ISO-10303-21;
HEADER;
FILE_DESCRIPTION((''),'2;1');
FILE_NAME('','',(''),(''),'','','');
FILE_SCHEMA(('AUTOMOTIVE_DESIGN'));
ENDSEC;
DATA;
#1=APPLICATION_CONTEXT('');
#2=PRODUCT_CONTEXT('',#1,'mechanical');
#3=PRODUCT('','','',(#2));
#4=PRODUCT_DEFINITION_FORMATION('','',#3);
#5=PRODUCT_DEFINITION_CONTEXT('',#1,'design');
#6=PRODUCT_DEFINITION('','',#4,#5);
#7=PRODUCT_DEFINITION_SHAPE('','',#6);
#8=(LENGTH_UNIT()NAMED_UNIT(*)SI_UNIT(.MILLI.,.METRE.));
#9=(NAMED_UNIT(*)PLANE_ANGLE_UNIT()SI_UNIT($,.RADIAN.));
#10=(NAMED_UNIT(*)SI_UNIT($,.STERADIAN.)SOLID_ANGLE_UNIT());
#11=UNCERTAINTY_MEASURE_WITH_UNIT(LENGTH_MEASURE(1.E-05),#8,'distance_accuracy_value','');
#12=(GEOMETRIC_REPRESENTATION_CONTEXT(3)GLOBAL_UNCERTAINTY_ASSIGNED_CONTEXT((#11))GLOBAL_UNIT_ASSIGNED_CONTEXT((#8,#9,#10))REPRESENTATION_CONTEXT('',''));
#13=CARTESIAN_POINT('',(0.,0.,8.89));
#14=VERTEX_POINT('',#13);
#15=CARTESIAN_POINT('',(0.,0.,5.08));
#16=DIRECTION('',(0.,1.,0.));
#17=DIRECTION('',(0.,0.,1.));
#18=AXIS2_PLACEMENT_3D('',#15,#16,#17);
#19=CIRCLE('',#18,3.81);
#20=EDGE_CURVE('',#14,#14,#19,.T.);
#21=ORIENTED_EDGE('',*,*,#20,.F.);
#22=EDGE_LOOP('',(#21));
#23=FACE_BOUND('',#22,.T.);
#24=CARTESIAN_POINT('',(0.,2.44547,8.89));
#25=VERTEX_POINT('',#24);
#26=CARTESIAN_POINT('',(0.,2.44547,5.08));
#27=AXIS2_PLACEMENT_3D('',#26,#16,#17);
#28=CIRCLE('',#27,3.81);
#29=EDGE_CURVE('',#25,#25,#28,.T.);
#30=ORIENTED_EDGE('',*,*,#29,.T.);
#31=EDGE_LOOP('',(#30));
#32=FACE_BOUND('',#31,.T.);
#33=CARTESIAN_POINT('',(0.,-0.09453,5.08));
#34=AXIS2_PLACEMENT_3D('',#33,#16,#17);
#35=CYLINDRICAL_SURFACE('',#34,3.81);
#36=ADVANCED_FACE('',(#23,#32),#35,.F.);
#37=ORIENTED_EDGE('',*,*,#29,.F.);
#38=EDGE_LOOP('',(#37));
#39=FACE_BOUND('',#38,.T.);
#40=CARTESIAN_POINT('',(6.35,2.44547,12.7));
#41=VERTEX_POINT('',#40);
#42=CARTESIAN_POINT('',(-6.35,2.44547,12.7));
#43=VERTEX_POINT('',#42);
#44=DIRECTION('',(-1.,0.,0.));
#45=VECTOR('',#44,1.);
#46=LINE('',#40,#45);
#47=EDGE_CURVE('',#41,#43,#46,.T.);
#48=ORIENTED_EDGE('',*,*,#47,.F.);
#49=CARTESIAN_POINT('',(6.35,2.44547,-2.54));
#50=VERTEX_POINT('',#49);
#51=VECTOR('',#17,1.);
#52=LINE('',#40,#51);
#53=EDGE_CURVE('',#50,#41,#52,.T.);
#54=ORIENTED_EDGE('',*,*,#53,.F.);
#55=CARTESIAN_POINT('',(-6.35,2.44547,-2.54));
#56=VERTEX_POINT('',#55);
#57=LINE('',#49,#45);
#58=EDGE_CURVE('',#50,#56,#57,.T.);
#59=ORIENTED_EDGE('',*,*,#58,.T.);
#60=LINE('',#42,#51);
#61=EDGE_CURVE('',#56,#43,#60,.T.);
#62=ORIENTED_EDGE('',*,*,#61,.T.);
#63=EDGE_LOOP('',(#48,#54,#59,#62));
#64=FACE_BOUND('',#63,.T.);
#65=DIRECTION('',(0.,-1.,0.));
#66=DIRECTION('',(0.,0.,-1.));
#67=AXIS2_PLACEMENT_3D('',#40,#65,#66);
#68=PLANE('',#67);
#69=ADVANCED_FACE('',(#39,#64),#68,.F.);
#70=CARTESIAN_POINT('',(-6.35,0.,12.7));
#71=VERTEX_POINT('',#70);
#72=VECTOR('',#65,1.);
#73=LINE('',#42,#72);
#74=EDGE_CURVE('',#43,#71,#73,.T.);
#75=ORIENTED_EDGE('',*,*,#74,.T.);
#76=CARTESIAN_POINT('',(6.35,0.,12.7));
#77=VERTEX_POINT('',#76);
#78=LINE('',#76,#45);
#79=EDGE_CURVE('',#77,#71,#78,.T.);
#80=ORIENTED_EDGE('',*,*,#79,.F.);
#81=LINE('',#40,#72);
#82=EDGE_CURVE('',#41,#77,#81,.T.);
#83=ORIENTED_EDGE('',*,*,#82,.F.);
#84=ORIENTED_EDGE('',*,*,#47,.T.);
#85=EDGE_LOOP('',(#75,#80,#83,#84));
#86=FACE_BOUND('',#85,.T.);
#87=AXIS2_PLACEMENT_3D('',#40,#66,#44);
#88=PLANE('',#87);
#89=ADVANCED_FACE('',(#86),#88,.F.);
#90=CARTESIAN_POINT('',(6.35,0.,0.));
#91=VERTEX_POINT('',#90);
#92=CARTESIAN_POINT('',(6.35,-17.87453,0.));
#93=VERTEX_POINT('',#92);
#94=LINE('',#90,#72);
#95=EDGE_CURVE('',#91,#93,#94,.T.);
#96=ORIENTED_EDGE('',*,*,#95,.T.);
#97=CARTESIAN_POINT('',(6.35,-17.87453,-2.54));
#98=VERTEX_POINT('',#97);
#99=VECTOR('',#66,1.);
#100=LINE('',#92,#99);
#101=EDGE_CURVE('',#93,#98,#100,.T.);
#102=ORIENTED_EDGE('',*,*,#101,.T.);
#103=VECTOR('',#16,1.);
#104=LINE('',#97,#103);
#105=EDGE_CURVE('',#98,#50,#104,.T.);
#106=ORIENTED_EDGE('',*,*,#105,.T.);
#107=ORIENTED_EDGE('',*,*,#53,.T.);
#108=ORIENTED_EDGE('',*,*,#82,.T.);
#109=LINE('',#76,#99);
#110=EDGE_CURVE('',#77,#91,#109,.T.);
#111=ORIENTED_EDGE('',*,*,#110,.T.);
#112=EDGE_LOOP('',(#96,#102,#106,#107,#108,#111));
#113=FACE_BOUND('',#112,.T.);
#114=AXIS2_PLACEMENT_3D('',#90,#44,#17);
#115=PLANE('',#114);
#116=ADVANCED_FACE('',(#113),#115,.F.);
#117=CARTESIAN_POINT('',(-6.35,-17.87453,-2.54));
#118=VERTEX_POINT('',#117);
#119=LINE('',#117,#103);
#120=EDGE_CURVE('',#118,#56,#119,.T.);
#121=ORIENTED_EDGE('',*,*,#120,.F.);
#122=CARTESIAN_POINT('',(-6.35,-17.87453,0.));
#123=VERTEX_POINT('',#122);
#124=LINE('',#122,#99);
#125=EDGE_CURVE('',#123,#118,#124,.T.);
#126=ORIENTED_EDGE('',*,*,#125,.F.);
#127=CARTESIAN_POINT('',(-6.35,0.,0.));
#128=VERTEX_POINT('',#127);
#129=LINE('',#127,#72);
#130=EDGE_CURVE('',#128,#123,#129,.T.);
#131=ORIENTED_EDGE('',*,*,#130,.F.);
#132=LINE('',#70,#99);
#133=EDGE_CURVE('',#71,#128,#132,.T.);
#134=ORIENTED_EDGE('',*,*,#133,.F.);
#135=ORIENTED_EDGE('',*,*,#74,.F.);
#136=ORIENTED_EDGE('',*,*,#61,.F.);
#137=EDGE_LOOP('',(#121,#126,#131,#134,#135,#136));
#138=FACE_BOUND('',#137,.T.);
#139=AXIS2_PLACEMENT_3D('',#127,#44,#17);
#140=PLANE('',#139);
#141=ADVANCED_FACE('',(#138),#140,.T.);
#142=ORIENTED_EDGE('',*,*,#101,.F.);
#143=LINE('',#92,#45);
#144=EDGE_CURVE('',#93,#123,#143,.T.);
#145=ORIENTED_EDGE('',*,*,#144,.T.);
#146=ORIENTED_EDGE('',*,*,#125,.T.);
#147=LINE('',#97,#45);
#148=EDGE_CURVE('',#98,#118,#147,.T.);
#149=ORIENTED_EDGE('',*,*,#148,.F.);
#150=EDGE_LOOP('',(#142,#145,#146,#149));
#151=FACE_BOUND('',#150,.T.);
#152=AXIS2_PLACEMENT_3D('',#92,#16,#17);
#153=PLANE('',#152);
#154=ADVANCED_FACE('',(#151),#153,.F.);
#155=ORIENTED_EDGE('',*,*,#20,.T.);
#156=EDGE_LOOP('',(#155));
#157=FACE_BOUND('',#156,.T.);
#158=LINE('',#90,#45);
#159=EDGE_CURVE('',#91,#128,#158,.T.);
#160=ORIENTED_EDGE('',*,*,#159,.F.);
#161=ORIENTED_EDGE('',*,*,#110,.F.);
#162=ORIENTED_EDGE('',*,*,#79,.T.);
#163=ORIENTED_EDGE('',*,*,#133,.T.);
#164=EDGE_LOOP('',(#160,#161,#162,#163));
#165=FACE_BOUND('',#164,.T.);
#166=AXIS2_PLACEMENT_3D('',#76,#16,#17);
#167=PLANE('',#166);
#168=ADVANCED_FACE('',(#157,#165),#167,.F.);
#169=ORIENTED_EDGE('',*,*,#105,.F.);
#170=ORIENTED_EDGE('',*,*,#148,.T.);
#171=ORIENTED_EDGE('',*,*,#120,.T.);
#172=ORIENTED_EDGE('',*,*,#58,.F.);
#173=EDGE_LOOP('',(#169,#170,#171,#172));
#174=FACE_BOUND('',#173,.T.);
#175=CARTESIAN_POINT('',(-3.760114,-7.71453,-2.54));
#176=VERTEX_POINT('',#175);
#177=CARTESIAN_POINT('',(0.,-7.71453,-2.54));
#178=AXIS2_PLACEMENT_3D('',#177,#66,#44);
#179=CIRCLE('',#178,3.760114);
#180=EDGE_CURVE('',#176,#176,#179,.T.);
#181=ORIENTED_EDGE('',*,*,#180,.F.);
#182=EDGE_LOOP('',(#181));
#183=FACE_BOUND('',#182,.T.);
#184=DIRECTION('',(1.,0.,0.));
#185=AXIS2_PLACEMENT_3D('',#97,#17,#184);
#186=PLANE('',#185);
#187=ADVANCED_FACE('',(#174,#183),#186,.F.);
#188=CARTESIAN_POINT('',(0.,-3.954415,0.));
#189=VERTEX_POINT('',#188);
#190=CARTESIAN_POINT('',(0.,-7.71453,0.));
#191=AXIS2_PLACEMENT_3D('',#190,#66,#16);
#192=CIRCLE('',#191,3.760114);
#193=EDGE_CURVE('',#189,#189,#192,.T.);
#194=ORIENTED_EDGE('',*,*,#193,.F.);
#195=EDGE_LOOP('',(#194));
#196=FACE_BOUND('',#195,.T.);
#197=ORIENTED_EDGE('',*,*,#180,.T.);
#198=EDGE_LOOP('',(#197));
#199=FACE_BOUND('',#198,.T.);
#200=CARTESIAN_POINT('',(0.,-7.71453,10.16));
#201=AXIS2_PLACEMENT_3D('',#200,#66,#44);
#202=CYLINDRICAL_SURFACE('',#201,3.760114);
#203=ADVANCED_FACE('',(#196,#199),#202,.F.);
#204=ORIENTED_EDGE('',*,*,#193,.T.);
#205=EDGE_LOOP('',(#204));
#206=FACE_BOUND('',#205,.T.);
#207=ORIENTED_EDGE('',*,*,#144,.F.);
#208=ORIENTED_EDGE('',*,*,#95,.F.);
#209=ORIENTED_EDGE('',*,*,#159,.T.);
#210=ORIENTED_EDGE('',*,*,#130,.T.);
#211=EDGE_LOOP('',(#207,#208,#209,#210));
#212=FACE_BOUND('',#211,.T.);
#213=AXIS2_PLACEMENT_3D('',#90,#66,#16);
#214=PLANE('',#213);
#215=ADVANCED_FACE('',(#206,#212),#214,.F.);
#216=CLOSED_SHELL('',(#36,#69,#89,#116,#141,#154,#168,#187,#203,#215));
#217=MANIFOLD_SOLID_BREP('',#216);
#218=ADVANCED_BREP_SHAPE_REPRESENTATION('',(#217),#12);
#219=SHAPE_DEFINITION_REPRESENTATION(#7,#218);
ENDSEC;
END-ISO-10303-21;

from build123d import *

# Parameters (mm, degrees)
BOSS_EXTRUDE1_DEPTH = 6.35
SKETCH6_R           = 3.760114337
CUT_EXTRUDE3_DEPTH  = 12.7
SKETCH8_R           = 3.81
CUT_EXTRUDE4_DEPTH  = 2.54


with BuildPart() as part:
    # Sketch1 → Boss-Extrude1 (new body, symmetric)
    with BuildSketch(Plane(origin=(0, 0, 0), x_dir=(0, 0, -1), z_dir=(1, 0, 0))):
        Polygon((0, 0), (0, -17.874529582), (2.54, -17.874529582), (2.54, 2.445470418), (-12.7, 2.445470418), (-12.7, 0), align=None)
    extrude(amount=BOSS_EXTRUDE1_DEPTH, both=True)

    # Sketch6 → Cut-Extrude3 (cut)
    with BuildSketch(Plane(origin=(0, 0, -2.54), x_dir=(-1, 0, 0), z_dir=(0, 0, -1))):
        with Locations((0, -7.714529582)):
            Circle(SKETCH6_R)
    extrude(amount=-CUT_EXTRUDE3_DEPTH, mode=Mode.SUBTRACT)

    # Sketch8 → Cut-Extrude4 (cut)
    with BuildSketch(Plane(origin=(0, 2.445470418, 0), x_dir=(1, 0, 0), z_dir=(0, 1, 0))):
        with Locations((0, -5.08)):
            Circle(SKETCH8_R)
    extrude(amount=-CUT_EXTRUDE4_DEPTH, mode=Mode.SUBTRACT)


solid = part.part
